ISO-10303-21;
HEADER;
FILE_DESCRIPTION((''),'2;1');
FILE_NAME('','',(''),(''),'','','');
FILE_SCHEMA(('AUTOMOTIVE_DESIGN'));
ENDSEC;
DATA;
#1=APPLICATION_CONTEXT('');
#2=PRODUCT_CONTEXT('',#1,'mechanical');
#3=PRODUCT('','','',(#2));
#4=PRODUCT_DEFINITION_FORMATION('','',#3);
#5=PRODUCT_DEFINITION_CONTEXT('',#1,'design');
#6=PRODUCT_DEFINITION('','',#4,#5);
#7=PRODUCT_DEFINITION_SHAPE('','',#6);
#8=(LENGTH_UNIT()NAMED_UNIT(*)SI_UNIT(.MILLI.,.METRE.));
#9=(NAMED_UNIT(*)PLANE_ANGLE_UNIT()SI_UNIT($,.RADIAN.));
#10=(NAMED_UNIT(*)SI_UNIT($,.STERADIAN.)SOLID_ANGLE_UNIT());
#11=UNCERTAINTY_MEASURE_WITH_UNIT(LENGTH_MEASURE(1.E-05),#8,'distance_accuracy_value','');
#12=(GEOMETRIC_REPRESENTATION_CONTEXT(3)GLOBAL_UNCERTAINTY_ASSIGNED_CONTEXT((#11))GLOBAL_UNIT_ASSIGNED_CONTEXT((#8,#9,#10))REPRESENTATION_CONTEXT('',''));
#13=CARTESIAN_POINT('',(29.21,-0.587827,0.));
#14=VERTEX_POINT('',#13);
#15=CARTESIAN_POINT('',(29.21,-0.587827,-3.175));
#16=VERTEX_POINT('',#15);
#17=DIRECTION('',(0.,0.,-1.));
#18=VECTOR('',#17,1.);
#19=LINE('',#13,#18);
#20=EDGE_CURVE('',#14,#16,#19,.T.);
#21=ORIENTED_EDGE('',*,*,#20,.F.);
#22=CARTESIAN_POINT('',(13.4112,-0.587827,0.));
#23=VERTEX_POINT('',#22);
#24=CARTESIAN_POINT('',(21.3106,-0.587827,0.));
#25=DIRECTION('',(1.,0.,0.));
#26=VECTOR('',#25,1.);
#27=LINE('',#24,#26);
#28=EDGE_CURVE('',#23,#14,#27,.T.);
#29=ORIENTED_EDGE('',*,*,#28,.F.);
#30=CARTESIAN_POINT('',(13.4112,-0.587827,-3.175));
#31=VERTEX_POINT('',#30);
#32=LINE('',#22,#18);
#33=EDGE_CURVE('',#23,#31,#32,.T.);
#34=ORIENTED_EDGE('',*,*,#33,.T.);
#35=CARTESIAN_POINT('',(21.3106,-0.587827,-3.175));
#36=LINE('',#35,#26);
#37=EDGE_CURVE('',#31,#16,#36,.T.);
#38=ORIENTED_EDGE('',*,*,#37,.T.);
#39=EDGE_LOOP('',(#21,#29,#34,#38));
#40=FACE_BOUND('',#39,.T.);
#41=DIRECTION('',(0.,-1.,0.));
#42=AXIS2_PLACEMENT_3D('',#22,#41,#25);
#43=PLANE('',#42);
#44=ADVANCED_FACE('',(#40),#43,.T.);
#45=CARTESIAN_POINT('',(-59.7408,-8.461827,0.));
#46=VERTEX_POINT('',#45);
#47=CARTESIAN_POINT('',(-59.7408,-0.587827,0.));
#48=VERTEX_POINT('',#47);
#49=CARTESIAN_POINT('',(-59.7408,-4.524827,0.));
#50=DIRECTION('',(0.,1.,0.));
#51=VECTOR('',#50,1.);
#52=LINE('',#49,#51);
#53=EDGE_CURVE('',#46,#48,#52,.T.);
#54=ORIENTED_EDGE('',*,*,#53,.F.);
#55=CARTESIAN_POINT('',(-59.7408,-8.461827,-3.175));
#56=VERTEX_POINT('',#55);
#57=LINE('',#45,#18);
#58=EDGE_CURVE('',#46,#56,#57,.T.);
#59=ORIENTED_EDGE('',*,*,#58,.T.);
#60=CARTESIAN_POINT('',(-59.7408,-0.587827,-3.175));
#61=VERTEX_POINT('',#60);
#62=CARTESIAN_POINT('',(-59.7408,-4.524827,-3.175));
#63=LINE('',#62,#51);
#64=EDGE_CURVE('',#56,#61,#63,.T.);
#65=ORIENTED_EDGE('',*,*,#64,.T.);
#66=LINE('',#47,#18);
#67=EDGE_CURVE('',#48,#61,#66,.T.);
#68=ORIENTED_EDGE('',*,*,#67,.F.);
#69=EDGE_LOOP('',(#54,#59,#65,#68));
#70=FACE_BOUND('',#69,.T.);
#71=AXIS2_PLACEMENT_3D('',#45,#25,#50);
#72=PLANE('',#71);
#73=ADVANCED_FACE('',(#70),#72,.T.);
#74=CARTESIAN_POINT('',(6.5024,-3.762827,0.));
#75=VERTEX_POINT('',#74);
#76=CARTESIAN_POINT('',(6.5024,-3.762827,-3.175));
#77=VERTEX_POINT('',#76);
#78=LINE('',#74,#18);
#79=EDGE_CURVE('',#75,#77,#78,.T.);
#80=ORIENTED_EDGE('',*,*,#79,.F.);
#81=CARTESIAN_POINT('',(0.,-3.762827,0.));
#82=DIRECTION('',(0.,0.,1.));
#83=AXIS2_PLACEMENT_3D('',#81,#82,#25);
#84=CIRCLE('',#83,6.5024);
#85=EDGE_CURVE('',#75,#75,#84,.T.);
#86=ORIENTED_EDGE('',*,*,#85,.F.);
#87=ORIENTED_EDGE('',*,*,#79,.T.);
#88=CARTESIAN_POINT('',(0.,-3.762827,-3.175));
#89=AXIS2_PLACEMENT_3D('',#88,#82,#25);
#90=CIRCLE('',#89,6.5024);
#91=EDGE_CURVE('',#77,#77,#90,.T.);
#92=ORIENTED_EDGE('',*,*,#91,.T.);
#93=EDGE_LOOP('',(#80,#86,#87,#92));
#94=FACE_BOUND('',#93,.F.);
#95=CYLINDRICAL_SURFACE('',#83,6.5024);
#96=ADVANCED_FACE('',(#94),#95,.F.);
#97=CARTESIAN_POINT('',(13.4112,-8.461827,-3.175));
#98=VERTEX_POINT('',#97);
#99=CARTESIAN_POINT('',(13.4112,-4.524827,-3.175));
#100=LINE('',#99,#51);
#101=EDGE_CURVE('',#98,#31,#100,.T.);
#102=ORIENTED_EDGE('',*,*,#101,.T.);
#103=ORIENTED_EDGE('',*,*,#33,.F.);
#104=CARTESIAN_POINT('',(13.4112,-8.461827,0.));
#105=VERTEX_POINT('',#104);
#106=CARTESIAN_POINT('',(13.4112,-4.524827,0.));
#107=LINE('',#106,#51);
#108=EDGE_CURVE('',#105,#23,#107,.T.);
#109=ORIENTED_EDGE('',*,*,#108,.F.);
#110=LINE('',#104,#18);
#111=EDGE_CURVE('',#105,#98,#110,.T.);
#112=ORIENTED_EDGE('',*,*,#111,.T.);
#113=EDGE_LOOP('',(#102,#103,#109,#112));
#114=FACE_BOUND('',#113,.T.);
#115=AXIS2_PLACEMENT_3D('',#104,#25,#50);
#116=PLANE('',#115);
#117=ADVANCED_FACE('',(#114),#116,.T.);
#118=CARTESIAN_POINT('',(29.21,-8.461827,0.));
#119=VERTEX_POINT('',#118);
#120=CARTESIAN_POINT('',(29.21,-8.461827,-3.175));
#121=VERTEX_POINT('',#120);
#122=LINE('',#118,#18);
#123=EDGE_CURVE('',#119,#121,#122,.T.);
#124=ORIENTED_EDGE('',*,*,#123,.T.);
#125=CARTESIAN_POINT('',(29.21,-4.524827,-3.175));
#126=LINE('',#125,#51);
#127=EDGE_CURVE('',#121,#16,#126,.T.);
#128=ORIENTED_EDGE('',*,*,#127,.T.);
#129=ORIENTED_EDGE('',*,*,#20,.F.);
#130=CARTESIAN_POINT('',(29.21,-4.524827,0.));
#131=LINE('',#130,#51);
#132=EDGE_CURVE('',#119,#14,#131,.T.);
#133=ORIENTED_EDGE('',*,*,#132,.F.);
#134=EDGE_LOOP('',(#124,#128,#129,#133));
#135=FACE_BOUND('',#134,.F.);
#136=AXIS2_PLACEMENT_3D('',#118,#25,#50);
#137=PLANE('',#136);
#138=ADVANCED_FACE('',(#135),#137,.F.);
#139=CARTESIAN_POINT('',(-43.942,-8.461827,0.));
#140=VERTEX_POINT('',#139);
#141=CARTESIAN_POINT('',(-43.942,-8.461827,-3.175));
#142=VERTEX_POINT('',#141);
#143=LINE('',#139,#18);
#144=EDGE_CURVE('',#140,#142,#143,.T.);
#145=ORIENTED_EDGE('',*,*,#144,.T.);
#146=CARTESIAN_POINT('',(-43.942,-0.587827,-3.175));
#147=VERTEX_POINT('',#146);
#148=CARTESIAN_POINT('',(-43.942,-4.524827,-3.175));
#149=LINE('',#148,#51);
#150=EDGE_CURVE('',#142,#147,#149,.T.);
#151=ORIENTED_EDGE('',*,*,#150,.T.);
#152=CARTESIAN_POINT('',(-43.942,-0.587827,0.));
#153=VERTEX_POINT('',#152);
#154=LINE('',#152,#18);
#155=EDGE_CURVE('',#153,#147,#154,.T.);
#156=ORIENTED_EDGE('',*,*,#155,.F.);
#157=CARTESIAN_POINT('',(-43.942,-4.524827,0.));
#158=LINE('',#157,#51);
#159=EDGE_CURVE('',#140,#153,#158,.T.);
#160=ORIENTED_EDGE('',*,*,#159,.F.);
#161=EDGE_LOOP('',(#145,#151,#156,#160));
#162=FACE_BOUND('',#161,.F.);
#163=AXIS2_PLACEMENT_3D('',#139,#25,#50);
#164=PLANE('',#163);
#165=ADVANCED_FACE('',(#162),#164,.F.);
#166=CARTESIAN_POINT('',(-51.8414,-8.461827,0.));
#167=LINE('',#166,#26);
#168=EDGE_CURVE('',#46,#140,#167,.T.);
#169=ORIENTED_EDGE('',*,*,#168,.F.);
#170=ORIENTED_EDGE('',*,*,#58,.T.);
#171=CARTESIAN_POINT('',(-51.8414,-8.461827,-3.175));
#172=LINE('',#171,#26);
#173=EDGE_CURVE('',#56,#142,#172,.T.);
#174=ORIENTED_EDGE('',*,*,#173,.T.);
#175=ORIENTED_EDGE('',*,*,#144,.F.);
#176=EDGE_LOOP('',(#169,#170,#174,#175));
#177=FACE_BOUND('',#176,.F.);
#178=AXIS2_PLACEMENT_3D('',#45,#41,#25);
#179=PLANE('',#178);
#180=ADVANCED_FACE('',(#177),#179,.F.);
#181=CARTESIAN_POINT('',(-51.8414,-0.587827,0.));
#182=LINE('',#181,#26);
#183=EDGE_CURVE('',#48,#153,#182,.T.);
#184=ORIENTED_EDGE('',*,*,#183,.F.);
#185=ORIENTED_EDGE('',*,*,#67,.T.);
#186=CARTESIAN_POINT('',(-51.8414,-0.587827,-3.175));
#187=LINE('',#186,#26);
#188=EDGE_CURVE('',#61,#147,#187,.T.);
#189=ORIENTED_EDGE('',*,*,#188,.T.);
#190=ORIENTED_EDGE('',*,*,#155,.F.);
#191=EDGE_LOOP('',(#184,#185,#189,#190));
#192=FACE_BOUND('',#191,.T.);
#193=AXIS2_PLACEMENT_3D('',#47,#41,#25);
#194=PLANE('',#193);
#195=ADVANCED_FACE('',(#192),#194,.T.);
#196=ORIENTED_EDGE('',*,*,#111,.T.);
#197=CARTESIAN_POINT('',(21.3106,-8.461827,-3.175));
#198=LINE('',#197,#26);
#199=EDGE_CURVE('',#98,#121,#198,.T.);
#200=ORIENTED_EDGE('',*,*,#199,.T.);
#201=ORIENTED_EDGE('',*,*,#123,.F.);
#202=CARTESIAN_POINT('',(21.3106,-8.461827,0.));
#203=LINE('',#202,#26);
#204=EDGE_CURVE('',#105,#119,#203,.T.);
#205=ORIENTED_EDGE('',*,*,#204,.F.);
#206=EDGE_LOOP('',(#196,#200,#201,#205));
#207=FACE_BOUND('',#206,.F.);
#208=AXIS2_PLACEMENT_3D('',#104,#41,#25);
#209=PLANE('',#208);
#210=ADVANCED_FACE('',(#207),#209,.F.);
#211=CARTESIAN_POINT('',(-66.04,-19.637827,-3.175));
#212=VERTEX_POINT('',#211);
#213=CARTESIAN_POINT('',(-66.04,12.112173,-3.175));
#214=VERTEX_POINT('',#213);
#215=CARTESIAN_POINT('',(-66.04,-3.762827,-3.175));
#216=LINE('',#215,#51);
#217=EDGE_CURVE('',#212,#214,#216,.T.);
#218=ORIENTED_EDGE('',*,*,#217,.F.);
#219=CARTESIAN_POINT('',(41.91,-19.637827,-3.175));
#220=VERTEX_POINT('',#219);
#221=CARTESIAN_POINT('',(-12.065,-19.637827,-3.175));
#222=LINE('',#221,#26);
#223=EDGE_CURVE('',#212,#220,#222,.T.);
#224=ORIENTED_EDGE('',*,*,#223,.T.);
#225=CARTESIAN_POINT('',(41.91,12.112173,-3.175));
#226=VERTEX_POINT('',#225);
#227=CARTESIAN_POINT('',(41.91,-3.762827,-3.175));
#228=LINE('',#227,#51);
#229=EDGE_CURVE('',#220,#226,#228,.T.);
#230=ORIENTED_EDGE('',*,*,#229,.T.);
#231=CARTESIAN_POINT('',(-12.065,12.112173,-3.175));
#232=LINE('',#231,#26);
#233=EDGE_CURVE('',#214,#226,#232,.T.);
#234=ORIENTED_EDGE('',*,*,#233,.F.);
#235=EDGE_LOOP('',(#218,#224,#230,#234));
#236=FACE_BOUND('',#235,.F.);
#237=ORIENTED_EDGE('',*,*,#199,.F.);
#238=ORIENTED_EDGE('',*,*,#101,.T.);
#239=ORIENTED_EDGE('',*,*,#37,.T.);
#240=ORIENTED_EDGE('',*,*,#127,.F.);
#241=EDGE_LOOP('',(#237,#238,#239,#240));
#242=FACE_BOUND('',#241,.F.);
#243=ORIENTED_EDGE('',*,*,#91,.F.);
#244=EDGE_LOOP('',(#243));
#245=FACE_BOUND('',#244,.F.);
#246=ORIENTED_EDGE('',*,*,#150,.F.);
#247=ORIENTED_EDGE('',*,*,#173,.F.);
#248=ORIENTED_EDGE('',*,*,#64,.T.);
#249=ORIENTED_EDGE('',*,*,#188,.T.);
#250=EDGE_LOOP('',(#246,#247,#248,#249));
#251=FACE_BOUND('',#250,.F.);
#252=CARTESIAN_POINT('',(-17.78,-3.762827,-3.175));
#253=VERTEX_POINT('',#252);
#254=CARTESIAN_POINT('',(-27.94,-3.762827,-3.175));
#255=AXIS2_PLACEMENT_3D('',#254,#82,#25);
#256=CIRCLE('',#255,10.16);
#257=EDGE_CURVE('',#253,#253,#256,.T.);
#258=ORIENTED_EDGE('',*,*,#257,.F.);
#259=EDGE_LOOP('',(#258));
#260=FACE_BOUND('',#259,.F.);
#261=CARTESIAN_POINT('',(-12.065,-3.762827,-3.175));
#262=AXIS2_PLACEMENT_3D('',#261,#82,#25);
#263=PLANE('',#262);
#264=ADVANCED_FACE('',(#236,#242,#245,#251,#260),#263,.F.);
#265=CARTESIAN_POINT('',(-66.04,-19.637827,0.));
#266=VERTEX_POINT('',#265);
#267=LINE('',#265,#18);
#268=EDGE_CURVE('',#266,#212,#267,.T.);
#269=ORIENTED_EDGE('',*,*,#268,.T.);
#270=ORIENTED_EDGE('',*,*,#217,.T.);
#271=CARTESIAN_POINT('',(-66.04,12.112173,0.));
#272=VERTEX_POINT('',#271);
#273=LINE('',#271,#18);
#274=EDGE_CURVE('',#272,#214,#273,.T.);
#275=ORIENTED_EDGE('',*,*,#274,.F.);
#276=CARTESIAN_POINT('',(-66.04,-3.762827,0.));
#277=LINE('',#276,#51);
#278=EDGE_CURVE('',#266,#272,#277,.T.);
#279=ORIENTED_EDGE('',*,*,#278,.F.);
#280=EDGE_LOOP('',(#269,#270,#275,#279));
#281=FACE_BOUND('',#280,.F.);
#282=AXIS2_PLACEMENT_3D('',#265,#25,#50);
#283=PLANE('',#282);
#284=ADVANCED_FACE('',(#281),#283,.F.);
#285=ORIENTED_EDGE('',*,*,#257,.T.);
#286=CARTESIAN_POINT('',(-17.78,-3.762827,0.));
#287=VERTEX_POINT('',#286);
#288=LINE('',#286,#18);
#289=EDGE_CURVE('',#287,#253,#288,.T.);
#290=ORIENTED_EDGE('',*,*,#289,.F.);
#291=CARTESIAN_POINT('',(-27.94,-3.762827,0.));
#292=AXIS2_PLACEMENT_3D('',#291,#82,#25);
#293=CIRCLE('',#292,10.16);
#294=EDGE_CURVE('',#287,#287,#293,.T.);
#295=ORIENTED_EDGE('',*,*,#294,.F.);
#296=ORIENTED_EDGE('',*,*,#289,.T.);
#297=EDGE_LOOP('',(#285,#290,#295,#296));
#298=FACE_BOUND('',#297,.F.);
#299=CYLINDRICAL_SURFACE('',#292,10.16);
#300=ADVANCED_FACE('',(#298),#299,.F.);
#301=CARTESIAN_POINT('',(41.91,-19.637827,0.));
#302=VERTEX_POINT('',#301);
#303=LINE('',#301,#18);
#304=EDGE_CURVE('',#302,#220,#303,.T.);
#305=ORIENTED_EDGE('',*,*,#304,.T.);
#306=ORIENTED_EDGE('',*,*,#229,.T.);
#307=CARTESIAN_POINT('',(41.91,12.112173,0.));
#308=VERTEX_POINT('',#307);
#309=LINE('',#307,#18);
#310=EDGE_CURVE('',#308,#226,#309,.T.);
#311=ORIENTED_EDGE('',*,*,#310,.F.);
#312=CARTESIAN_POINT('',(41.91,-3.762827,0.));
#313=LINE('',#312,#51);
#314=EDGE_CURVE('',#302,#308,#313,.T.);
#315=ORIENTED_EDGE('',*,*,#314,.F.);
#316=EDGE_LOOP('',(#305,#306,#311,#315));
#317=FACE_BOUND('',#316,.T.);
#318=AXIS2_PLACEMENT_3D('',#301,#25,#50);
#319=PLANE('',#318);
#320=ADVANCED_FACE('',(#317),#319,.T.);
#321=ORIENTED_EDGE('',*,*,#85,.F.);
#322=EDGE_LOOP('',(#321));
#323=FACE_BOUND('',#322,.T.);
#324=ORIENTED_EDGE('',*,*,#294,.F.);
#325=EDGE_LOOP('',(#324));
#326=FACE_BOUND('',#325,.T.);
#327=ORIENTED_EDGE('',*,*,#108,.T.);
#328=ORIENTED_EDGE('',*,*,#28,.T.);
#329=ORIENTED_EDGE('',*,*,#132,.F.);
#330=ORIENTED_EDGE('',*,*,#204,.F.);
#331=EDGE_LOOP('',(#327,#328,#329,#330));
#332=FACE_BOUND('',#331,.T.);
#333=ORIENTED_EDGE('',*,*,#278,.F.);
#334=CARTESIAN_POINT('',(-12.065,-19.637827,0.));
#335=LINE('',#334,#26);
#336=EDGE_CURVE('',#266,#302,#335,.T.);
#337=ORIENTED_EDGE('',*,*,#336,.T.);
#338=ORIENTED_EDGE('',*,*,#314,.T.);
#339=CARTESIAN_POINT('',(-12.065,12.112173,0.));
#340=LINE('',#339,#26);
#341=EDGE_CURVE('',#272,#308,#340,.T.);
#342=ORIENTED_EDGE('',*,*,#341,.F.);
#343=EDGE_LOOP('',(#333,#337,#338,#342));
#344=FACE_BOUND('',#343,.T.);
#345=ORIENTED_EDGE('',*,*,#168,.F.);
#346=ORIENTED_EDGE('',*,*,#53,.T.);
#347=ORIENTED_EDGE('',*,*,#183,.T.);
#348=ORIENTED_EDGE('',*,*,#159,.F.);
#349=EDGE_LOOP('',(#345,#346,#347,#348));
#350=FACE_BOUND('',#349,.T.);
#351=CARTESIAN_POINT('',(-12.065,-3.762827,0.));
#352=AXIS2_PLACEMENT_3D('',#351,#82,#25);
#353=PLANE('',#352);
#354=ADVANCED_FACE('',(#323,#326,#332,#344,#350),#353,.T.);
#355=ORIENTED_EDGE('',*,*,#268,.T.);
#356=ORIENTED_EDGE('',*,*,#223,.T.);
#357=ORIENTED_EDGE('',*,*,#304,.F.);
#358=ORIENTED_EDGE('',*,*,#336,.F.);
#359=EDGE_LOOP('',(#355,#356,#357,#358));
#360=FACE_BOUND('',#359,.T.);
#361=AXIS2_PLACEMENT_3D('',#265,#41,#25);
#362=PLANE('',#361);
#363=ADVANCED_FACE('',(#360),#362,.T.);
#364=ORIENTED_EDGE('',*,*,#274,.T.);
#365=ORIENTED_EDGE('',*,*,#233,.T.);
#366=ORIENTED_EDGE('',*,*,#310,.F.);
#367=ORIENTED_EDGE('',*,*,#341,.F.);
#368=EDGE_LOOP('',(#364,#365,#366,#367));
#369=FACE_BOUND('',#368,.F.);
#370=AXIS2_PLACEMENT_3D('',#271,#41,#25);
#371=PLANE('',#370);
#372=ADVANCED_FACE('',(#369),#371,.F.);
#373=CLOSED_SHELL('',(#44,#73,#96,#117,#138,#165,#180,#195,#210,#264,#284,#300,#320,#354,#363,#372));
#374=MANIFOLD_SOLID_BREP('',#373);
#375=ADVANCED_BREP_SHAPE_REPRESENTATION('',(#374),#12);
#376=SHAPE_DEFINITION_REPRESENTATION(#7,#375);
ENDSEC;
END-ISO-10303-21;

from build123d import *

# Parameters (mm, degrees)
F0_W     = 107.95
F0_H     = 31.75
F0_W_2   = 15.7988
F0_H_2   = 7.874
F0_R     = 10.16
F0_R_2   = 6.5024
F1_DEPTH = 3.175


with BuildPart() as f1:
    # F0 (on Top) → F1 (new body)
    with BuildSketch(Plane.XY):
        with Locations((-12.065, -3.762827)):
            Rectangle(F0_W, F0_H)
        with Locations((-51.8414, -4.524827)):
            Rectangle(F0_W_2, F0_H_2, mode=Mode.SUBTRACT)
        with Locations((-27.94, -3.762827)):
            Circle(F0_R, mode=Mode.SUBTRACT)
        with Locations((21.3106, -4.524827)):
            Rectangle(F0_W_2, F0_H_2, mode=Mode.SUBTRACT)
        with Locations((0, -3.762827)):
            Circle(F0_R_2, mode=Mode.SUBTRACT)
    extrude(amount=-F1_DEPTH)


solid = f1.part
